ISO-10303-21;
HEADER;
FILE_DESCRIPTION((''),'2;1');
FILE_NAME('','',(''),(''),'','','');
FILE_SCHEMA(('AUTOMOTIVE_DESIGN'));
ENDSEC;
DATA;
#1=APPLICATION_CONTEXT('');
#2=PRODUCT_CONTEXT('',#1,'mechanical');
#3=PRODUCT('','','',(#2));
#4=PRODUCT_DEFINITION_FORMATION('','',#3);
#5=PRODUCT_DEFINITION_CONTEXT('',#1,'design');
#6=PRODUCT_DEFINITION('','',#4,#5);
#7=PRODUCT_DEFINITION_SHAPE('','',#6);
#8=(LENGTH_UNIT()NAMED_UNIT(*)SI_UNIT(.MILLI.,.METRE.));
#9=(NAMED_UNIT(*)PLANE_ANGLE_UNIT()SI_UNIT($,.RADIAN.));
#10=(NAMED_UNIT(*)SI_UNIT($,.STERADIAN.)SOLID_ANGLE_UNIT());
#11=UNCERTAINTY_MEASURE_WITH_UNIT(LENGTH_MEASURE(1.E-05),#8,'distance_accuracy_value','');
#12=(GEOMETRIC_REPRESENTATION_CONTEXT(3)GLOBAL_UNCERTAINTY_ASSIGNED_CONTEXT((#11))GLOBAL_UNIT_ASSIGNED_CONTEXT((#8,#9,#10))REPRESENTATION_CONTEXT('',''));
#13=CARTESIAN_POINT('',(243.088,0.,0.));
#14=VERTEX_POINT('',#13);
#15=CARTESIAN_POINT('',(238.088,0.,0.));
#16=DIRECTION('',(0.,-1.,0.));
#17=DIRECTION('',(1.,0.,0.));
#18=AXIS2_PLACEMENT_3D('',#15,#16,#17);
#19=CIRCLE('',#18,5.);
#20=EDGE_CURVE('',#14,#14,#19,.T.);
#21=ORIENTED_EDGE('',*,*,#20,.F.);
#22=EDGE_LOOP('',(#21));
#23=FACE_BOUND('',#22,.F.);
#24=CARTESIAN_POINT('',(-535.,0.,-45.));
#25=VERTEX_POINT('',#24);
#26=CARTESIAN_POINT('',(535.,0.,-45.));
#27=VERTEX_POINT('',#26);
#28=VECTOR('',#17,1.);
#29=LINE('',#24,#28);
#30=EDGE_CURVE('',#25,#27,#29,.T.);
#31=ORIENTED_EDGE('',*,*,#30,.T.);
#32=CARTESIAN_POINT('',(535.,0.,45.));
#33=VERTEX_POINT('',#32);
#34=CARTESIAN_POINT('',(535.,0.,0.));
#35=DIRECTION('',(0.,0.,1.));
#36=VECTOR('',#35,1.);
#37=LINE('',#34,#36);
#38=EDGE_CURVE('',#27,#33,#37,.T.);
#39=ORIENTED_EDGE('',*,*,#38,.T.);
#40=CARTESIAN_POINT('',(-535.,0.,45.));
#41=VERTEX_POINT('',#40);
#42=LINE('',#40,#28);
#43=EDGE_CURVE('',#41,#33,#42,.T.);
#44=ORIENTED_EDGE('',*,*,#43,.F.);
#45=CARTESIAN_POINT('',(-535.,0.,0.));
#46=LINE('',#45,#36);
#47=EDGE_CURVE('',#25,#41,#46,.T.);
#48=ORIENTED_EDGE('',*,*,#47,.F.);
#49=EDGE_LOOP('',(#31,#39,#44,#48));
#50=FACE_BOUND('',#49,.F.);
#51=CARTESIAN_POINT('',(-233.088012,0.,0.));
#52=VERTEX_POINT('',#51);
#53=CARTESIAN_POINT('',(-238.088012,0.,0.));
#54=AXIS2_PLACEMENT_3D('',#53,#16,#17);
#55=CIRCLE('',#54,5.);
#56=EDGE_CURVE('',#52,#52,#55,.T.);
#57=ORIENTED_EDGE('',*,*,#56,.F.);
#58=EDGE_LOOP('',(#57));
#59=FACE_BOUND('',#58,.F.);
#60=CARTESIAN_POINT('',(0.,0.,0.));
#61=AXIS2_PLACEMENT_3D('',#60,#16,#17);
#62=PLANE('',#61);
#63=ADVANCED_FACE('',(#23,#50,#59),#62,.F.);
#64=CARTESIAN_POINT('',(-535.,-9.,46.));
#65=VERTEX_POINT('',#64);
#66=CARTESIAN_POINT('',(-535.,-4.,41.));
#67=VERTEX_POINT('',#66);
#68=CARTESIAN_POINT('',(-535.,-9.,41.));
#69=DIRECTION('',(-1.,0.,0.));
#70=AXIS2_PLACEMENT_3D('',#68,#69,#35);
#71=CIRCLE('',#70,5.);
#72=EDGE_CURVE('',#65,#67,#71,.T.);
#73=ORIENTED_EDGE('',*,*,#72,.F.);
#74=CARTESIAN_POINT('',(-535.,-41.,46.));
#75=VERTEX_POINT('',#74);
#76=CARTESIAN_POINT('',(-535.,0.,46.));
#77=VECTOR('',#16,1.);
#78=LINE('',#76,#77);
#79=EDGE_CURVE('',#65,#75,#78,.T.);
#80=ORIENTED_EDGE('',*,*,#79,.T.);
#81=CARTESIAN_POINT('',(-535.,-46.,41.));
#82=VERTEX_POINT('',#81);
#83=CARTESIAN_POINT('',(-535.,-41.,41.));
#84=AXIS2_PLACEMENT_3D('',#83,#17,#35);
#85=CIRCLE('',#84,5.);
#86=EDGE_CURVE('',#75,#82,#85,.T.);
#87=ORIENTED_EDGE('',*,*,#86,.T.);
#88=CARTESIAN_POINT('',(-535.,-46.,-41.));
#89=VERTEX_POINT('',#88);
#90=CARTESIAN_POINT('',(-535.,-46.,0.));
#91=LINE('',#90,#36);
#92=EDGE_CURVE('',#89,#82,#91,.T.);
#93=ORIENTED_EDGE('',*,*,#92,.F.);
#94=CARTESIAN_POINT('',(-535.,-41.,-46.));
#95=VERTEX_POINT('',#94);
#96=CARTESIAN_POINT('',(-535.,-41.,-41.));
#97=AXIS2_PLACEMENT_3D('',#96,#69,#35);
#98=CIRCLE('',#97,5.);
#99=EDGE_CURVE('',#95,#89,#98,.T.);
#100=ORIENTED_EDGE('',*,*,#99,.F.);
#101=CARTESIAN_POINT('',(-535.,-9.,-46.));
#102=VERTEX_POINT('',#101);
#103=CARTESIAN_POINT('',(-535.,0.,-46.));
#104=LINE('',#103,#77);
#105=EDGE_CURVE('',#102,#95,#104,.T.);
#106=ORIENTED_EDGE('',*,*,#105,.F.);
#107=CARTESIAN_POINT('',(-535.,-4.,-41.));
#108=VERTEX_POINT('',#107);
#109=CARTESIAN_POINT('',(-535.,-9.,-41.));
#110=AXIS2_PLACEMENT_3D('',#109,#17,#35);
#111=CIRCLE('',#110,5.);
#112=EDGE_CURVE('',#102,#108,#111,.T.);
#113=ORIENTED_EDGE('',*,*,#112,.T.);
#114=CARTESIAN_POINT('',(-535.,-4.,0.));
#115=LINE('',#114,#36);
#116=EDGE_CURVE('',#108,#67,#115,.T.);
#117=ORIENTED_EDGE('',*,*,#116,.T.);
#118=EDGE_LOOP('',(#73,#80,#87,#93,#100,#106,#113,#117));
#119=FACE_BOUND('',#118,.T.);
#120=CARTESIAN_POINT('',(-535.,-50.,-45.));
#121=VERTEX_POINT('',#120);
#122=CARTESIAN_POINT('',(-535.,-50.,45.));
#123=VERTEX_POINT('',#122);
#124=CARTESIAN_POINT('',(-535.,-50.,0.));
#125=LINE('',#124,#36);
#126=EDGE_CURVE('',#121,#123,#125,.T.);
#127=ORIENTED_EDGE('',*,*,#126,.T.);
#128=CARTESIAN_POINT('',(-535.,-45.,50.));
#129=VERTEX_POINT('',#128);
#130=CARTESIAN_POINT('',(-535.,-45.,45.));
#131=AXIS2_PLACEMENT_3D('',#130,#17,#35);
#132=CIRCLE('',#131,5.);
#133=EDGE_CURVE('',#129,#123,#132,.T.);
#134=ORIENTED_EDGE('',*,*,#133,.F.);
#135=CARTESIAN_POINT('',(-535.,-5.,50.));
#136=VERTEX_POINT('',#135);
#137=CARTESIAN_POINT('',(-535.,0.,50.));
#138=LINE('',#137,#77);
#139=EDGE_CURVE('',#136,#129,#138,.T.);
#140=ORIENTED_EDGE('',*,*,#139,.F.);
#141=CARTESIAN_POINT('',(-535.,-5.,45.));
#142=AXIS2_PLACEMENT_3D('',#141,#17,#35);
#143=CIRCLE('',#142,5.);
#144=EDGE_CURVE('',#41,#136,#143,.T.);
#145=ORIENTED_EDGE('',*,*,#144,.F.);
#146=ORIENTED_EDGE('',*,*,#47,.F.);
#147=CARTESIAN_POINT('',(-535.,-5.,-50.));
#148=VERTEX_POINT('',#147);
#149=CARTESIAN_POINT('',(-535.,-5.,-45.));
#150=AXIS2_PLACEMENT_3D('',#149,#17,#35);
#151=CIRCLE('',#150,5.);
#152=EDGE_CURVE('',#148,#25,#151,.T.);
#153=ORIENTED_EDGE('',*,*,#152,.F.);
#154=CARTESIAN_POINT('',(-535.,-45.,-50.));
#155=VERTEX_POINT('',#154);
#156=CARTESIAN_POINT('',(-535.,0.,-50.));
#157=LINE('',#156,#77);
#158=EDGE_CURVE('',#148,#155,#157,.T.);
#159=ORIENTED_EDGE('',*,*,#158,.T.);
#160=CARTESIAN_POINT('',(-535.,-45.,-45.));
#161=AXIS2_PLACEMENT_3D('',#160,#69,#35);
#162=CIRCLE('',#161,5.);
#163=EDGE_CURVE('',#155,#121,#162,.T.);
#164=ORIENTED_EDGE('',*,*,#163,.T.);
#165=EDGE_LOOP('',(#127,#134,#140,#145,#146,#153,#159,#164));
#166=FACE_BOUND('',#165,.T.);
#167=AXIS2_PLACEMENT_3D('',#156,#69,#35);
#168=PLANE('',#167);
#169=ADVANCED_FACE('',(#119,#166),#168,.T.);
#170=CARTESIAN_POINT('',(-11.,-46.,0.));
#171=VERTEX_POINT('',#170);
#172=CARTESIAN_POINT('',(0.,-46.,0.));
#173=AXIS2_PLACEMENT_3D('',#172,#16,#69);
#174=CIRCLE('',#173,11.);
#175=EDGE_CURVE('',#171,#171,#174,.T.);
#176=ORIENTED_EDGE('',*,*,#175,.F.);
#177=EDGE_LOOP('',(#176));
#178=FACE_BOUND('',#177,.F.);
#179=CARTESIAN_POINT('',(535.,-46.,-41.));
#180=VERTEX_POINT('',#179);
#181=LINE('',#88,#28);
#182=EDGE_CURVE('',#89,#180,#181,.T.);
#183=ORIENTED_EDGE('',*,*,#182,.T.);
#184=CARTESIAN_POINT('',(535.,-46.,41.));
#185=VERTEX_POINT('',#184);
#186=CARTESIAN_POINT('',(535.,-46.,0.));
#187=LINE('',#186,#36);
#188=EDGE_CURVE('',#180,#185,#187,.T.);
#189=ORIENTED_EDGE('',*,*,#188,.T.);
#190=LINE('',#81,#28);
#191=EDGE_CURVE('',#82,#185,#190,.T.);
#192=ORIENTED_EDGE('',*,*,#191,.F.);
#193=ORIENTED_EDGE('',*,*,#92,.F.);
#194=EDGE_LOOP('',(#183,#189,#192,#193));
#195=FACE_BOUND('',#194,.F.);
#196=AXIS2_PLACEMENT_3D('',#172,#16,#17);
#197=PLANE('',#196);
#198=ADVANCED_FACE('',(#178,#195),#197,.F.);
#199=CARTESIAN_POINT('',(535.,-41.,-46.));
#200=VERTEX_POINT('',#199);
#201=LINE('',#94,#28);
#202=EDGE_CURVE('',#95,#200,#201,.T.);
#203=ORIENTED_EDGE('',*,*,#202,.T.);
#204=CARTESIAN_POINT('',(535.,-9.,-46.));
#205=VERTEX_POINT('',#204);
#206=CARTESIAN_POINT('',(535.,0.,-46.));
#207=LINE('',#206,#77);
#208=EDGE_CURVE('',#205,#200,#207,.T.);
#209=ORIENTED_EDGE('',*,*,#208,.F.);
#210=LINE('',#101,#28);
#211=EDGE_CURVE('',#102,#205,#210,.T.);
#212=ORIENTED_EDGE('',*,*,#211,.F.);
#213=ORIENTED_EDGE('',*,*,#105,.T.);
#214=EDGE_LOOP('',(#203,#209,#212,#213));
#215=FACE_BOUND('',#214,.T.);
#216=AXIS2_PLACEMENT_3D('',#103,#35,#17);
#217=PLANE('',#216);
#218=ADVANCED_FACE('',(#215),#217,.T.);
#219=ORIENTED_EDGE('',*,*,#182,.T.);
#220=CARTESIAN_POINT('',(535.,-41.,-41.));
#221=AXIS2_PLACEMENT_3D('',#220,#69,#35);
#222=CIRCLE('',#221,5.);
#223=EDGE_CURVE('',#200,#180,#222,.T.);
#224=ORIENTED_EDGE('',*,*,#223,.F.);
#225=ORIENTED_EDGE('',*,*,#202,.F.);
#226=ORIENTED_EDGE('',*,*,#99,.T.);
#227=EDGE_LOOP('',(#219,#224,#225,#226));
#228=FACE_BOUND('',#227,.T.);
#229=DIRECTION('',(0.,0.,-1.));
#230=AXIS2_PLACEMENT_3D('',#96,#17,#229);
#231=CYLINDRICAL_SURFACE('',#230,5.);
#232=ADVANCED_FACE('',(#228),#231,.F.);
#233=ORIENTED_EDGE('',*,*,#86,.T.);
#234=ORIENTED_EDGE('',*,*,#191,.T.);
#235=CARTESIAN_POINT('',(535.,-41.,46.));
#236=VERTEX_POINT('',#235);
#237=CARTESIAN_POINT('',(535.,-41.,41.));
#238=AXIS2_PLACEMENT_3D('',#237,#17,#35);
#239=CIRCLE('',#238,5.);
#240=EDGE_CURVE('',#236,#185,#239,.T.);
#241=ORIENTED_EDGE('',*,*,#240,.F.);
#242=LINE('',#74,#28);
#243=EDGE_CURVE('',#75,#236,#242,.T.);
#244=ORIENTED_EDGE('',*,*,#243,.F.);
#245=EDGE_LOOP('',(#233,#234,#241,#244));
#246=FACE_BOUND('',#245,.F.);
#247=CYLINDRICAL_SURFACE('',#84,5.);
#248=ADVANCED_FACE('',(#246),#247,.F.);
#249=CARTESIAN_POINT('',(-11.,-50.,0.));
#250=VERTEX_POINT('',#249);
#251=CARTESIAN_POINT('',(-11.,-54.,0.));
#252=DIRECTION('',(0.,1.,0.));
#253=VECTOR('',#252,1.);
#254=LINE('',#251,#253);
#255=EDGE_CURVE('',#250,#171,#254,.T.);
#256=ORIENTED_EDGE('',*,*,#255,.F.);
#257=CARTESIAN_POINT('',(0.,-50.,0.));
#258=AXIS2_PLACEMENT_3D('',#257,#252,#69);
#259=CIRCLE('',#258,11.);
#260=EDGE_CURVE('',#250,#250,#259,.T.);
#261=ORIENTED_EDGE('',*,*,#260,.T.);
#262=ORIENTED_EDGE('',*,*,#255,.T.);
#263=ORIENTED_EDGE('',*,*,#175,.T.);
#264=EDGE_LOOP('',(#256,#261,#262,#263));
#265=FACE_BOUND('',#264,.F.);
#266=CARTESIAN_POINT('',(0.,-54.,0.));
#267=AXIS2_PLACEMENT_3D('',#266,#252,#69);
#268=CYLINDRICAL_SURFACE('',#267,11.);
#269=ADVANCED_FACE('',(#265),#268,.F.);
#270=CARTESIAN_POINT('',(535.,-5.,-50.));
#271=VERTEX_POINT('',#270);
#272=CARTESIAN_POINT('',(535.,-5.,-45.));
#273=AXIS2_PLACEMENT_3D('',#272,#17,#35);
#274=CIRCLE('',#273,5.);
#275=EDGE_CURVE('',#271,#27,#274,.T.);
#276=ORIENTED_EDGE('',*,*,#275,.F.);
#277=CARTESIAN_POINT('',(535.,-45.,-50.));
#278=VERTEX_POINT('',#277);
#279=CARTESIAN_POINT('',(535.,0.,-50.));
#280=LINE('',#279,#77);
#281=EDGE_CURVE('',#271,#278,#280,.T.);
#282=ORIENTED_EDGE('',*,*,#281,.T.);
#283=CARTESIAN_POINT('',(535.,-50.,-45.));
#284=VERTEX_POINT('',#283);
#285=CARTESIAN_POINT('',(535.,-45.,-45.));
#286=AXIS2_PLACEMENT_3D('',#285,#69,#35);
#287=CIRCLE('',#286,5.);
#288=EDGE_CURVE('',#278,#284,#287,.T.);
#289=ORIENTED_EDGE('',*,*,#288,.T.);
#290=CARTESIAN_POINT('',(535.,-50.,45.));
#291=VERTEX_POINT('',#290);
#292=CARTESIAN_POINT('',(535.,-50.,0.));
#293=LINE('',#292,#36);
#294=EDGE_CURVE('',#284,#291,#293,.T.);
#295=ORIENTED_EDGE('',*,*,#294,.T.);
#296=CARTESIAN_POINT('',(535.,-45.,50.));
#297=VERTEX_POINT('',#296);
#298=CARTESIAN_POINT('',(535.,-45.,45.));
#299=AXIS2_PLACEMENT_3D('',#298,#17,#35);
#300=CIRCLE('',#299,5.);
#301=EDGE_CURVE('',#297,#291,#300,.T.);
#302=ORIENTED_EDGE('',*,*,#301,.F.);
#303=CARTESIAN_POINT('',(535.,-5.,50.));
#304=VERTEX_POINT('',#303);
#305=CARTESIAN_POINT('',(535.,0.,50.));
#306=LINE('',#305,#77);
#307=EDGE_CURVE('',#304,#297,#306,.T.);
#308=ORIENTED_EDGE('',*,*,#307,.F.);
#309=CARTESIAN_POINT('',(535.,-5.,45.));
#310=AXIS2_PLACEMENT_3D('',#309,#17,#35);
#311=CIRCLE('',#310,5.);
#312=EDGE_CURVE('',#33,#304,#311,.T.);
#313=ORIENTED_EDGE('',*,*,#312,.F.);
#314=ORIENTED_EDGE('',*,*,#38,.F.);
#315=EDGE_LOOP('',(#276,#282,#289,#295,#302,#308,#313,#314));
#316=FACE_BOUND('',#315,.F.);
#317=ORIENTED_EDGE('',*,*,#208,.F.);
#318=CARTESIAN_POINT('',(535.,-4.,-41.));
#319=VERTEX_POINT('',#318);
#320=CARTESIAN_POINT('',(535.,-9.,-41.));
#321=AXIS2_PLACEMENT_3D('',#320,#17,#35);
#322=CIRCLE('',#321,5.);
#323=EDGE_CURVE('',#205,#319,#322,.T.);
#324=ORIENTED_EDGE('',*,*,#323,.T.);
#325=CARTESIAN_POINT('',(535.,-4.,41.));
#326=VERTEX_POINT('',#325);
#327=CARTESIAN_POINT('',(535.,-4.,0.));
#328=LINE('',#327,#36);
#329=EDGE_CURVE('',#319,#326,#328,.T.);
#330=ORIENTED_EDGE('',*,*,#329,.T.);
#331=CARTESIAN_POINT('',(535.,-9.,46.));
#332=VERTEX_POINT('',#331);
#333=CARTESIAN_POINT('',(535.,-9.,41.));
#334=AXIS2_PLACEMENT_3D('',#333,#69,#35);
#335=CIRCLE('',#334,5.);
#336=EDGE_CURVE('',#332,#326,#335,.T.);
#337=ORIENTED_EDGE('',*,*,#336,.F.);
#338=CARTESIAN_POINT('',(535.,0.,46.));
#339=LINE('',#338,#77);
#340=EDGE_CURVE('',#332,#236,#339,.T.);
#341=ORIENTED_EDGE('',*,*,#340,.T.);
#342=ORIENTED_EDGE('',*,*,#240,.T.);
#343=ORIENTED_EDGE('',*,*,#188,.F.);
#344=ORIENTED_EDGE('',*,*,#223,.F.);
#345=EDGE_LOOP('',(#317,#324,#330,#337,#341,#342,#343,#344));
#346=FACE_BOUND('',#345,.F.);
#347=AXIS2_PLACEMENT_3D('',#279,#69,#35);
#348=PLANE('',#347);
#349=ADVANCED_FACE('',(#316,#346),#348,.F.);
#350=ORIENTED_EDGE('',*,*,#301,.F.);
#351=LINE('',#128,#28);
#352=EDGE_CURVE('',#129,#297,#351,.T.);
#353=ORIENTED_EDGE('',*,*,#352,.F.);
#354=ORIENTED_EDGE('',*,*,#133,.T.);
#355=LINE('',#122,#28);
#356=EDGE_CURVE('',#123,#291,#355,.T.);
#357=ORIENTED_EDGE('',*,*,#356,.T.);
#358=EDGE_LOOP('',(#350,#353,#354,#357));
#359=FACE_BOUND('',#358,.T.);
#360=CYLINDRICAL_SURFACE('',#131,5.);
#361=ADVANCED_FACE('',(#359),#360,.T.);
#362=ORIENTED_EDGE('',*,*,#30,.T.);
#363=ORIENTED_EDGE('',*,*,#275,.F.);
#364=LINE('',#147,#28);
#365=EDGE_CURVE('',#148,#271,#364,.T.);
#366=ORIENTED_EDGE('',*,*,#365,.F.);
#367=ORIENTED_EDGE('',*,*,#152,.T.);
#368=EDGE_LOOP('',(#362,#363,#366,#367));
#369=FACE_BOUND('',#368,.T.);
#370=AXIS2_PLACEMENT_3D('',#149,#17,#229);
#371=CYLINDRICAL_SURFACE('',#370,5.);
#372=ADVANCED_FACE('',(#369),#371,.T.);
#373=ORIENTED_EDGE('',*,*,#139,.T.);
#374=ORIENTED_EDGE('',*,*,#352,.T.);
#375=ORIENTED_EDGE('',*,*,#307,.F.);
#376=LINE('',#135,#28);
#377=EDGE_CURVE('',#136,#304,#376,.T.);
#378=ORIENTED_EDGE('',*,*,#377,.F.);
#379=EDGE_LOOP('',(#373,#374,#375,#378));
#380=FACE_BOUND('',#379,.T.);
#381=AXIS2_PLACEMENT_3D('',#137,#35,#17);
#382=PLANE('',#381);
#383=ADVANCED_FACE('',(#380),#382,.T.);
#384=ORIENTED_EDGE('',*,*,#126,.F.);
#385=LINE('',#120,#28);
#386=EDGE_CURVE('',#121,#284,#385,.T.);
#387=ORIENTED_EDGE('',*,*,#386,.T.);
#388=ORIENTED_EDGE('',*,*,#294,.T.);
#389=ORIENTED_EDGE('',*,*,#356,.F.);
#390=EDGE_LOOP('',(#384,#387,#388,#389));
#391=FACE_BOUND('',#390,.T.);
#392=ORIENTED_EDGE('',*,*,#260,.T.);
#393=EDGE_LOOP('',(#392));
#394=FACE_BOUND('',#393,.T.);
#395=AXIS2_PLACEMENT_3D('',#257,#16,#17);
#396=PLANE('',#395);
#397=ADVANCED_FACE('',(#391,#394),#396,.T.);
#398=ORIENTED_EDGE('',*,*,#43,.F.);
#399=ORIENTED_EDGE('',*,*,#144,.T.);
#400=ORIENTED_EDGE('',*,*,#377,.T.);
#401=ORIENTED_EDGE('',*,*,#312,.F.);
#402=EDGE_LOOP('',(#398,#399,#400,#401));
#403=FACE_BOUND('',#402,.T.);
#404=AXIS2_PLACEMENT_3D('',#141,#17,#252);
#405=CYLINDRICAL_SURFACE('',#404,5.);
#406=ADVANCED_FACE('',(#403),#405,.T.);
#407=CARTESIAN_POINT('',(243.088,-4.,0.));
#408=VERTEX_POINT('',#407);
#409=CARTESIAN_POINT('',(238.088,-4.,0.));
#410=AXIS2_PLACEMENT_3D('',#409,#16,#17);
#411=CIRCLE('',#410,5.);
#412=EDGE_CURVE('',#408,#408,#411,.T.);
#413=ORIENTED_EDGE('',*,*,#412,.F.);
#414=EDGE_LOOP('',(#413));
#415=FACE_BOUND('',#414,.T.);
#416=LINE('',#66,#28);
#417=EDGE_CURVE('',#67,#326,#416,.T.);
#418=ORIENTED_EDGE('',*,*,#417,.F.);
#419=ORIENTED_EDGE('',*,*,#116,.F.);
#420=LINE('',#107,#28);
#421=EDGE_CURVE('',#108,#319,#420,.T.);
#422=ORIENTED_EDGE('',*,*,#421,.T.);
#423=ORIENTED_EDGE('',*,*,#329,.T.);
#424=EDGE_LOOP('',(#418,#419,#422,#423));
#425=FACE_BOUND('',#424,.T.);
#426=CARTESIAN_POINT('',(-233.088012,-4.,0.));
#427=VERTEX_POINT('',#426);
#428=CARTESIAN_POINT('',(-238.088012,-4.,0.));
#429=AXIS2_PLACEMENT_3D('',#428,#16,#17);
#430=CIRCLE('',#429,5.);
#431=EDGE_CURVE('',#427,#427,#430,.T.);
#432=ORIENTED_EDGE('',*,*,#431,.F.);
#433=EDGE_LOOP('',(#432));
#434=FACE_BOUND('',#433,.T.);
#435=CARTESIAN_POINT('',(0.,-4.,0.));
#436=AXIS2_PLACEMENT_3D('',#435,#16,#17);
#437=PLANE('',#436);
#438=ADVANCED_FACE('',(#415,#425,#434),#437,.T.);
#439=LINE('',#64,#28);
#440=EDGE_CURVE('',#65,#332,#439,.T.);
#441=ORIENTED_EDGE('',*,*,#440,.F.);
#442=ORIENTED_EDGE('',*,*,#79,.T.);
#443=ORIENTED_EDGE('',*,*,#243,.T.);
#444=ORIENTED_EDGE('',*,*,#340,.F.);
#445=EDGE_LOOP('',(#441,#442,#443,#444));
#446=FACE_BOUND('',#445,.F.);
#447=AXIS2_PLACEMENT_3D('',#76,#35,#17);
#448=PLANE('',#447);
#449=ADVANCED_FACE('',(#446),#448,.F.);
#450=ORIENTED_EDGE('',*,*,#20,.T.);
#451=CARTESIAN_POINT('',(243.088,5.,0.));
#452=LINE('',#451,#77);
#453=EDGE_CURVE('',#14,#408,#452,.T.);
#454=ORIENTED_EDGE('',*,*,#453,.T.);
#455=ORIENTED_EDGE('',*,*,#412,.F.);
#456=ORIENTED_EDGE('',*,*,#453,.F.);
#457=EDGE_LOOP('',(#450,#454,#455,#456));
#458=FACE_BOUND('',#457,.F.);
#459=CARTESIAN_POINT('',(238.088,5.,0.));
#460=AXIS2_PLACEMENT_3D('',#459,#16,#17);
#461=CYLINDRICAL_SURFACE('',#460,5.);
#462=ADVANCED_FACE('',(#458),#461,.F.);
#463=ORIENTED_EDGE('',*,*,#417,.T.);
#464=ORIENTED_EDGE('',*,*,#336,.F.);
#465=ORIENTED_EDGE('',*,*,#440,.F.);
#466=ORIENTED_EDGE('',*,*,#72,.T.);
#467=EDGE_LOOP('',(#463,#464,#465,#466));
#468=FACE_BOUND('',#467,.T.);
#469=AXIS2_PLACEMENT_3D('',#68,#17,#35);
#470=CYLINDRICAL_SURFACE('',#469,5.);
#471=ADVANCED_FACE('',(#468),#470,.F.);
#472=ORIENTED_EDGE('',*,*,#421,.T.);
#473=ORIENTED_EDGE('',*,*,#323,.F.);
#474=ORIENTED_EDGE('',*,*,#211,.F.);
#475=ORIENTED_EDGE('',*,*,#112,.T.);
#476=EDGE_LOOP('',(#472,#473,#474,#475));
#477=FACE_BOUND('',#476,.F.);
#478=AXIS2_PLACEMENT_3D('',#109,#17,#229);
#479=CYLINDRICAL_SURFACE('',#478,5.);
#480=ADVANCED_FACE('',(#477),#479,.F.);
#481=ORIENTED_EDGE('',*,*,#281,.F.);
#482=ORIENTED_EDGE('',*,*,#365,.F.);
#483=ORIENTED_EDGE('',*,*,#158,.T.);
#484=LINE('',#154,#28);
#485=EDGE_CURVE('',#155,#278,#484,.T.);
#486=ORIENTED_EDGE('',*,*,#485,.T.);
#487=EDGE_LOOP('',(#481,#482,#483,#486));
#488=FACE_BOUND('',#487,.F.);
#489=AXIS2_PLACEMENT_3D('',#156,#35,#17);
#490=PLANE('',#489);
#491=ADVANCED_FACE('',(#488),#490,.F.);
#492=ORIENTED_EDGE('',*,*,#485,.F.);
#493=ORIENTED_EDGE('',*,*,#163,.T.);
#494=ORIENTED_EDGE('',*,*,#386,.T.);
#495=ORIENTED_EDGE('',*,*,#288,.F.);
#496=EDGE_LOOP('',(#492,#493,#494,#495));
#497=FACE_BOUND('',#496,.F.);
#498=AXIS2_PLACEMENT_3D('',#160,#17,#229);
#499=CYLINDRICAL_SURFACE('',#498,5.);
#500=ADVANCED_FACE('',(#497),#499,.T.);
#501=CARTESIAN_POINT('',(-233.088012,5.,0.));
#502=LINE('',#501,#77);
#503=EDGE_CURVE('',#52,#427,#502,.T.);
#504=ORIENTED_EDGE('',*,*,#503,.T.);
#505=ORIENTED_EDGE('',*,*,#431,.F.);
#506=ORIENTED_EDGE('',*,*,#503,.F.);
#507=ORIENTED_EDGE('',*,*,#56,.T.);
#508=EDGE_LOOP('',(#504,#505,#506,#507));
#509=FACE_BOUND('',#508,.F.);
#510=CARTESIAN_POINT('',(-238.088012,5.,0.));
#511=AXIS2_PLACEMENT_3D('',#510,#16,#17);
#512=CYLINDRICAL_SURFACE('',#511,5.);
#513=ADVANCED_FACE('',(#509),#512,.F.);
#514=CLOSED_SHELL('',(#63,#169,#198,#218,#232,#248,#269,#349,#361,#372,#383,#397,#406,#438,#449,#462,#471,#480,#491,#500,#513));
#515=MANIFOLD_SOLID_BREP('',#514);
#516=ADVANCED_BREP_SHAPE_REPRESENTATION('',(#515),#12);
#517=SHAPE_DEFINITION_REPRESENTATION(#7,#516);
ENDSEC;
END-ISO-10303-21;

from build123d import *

# Parameters (mm, degrees)
F0_W     = 1070
F0_H     = 100
F1_DEPTH = 50
F2_T     = -4
F3_R     = 5
F5_D     = 22
F5_DEPTH = 4
F5_TIP   = 6.6094668093
F7_D     = 10
F7_DEPTH = 5
F7_TIP   = 3.0043030951


with BuildPart() as f1:
    # F0 (on Front) → F1 (new body)
    with BuildSketch(Plane.XZ):
        Rectangle(F0_W, F0_H)
    extrude(amount=F1_DEPTH)

    # F2
    f2_openings = [f1.faces().sort_by_distance(p)[0] for p in [
        (-535, -25, 0),
        (535, -25, 0),
    ]]
    offset(amount=F2_T, openings=f2_openings)

    # F3
    f3_edges = [f1.edges().sort_by_distance(p)[0] for p in [
        (0, -46, 46),
        (0, -4, 46),
        (0, -46, -46),
        (0, -4, -46),
        (0, -50, -50),
        (0, -50, 50),
        (0, 0, 50),
        (0, 0, -50),
    ]]
    fillet(f3_edges, radius=F3_R)

    # F5
    with Locations(Plane.XZ.offset(50)):
        with Locations((0, 0)):
            Hole(F5_D / 2, depth=F5_DEPTH)
            with Locations((0, 0, -(F5_DEPTH + F5_TIP / 2))):  # 118° drill point
                Cone(0, F5_D / 2, F5_TIP, mode=Mode.SUBTRACT)

    # F7
    with Locations(Plane(origin=(0, 0, 0), x_dir=(-1, 0, 0), z_dir=(0, 1, 0))):
        with Locations((238.0880117416, 0), (-238.088, 0)):
            Hole(F7_D / 2, depth=F7_DEPTH)
            with Locations((0, 0, -(F7_DEPTH + F7_TIP / 2))):  # 118° drill point
                Cone(0, F7_D / 2, F7_TIP, mode=Mode.SUBTRACT)


solid = f1.part
